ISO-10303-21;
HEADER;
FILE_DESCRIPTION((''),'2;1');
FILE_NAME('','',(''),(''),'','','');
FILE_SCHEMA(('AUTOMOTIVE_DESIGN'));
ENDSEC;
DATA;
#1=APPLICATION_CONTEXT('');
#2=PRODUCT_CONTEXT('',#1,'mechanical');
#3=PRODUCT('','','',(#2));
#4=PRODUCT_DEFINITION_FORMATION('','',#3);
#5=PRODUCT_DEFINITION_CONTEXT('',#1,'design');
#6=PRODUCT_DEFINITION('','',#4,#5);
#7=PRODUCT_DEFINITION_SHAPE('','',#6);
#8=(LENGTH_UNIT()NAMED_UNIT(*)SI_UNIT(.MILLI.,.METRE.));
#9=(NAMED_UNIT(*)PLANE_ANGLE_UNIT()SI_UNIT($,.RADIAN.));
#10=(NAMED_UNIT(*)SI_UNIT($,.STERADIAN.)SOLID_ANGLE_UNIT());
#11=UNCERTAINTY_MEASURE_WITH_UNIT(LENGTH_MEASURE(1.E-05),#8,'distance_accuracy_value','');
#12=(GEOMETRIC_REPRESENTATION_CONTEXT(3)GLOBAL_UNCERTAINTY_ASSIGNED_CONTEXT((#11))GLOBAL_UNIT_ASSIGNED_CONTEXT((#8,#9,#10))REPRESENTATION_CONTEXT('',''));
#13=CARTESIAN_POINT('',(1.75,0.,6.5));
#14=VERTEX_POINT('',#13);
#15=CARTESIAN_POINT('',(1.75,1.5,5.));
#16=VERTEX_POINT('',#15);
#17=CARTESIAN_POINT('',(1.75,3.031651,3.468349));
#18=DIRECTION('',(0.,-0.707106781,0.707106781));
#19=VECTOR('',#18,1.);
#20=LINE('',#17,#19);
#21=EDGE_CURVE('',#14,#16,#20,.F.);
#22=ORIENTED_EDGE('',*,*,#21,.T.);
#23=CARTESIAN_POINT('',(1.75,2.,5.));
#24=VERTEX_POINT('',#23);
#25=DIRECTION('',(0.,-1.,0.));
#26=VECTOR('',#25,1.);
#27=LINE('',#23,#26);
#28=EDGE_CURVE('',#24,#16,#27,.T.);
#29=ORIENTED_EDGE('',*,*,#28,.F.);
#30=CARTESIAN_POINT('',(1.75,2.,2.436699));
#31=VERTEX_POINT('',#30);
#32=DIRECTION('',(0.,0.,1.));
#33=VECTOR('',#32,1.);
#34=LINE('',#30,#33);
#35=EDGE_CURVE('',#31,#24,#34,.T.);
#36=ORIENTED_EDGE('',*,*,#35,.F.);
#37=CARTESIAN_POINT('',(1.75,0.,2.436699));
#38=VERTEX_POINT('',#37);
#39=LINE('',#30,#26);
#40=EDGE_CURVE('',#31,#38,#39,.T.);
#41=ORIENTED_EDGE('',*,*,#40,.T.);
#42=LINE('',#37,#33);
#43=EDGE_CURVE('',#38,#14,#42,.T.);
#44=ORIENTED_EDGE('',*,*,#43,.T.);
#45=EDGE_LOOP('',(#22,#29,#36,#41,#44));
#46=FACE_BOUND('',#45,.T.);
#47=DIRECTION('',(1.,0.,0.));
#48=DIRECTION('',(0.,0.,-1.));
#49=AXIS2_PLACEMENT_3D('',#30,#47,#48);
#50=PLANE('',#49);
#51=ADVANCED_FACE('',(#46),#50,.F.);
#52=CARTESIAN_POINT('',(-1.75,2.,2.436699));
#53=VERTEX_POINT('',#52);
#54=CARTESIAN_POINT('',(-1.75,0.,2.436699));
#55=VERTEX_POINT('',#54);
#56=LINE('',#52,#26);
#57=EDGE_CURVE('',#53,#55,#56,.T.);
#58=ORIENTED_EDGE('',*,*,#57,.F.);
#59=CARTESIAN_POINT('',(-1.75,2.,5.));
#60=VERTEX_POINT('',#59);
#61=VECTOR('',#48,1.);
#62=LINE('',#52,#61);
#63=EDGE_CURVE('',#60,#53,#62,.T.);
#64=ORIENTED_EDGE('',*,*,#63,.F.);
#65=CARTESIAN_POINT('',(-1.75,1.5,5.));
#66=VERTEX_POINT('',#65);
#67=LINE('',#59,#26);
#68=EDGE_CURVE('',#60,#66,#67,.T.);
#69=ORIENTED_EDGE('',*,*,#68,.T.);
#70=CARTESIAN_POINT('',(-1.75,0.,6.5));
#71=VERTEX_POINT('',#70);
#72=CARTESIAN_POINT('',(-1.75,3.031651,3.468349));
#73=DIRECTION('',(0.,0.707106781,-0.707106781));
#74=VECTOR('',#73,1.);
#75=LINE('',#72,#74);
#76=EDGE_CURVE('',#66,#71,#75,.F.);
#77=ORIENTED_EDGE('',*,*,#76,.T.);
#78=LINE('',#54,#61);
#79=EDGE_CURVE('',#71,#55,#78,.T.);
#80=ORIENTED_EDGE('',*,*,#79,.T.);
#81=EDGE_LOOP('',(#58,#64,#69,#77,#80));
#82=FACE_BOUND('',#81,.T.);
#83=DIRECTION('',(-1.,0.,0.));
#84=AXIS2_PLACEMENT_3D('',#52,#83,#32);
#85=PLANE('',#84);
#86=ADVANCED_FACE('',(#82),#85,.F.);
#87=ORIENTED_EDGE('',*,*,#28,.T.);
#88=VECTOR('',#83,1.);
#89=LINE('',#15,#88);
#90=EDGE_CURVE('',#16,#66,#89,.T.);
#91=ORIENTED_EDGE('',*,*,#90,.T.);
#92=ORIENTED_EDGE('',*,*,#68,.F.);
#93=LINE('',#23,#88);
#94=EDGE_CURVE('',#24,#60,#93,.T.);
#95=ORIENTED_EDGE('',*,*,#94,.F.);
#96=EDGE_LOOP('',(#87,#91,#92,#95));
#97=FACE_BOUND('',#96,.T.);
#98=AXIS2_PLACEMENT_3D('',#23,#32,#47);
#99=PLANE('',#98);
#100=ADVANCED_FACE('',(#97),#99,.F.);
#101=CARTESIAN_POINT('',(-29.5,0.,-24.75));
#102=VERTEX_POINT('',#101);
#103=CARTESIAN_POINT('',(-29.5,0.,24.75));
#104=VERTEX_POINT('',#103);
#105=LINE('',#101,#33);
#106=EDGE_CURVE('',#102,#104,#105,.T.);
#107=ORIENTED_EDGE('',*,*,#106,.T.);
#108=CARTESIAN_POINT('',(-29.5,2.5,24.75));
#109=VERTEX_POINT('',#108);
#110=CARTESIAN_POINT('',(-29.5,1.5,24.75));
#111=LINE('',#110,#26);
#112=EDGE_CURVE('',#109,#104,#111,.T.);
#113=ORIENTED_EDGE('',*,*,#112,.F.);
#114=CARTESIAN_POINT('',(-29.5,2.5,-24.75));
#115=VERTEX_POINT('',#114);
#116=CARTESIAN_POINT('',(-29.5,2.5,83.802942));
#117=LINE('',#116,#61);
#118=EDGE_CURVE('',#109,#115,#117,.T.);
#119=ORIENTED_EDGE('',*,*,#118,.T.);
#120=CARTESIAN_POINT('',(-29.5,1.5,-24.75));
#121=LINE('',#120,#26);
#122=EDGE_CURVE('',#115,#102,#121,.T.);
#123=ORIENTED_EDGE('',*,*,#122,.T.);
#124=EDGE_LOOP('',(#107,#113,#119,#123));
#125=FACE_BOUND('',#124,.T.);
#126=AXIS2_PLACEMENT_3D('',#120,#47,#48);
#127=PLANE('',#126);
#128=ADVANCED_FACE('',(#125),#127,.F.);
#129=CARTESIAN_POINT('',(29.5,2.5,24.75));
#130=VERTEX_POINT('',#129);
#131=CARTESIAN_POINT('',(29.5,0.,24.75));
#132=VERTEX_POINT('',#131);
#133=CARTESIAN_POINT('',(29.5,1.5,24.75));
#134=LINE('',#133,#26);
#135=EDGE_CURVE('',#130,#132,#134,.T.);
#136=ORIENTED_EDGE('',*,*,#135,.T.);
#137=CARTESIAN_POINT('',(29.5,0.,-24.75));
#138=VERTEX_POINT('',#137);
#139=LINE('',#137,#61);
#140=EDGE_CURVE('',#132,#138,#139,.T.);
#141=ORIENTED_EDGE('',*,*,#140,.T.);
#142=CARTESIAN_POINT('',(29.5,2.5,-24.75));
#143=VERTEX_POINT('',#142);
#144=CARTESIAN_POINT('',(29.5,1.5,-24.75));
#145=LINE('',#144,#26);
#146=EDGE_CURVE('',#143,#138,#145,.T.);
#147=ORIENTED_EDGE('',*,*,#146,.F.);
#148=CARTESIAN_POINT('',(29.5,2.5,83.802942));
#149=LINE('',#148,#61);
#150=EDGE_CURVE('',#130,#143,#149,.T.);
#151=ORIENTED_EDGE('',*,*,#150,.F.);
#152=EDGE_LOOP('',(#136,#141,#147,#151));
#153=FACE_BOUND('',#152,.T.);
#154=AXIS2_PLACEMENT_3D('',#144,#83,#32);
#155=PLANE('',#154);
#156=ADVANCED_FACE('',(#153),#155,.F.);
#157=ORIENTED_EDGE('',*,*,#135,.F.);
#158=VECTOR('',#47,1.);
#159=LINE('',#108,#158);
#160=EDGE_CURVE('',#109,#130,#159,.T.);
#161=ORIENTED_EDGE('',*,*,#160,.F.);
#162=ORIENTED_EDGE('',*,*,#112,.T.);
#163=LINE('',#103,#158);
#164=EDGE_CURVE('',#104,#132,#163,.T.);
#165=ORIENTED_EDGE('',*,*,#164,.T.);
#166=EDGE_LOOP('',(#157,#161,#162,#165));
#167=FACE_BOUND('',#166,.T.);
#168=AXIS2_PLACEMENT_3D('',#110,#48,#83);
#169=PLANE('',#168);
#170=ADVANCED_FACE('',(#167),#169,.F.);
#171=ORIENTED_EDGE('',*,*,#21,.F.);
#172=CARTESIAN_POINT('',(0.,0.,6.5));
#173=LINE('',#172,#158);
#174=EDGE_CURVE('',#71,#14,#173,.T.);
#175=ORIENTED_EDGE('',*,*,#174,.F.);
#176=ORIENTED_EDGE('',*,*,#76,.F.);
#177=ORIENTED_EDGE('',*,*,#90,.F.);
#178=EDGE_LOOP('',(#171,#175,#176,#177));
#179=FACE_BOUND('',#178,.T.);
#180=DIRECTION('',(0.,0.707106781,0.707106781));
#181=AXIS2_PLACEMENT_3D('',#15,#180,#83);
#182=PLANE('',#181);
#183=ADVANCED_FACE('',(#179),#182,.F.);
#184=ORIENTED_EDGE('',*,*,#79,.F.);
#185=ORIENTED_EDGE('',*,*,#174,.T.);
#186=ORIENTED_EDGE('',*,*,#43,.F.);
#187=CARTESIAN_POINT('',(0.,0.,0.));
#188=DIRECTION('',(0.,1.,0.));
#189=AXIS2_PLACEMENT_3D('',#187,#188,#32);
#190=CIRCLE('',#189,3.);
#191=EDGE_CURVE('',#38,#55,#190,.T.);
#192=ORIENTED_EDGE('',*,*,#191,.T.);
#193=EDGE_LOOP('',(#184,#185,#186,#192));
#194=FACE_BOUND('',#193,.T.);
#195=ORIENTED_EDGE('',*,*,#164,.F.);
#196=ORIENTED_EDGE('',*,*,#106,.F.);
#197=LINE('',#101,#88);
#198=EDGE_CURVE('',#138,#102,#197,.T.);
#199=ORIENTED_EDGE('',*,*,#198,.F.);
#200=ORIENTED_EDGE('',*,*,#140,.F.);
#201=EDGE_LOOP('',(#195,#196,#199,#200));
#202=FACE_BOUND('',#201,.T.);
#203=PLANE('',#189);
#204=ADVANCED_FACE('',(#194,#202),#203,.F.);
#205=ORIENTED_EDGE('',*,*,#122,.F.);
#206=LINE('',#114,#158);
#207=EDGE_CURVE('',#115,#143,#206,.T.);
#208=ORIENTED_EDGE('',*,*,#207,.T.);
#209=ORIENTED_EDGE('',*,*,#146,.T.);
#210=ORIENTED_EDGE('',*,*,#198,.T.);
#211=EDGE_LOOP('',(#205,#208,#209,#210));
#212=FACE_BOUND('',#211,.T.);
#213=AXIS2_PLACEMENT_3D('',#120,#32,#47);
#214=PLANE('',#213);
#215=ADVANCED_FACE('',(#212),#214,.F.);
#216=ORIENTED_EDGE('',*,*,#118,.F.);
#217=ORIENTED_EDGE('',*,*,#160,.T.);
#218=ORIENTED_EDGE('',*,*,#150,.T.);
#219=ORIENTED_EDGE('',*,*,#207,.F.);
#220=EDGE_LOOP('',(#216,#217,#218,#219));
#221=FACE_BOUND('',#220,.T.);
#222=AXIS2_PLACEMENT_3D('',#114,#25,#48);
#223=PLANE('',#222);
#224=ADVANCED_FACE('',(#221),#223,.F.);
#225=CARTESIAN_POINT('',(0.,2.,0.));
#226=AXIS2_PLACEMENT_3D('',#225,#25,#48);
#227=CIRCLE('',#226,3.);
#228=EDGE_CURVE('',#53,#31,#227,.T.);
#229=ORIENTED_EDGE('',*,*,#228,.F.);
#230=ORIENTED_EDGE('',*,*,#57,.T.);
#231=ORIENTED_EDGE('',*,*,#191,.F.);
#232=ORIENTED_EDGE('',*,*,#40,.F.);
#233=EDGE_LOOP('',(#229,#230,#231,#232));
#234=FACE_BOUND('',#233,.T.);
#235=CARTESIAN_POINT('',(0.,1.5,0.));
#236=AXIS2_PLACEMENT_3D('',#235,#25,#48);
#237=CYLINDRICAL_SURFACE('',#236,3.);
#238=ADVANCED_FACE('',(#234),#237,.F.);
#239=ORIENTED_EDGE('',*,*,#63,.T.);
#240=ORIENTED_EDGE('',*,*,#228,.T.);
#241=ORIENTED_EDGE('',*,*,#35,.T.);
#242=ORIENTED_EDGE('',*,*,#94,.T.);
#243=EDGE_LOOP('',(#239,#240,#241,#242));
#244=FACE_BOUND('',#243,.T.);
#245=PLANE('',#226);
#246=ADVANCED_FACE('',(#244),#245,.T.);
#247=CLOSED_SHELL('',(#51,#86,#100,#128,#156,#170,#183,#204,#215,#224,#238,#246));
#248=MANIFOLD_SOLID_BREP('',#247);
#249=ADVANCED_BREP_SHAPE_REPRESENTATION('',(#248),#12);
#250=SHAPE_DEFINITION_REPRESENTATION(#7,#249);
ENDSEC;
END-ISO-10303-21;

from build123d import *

# Parameters (mm, degrees)
SKETCH1_W           = 59
SKETCH1_H           = 49.5
SKETCH1_R           = 3
BOSS_EXTRUDE1_DEPTH = 1.5
BOSS_EXTRUDE2_DEPTH = 49.5
CUT_EXTRUDE1_DEPTH  = 2
CUT_EXTRUDE3_DEPTH  = 65.105869466
CHAMFER3_SIZE       = 1.5
SKETCH7_W           = 59
SKETCH7_H           = 2.086537977
CUT_EXTRUDE5_DEPTH  = 58.762444547


with BuildPart() as part:
    # Sketch1 → Boss-Extrude1 (new body)
    with BuildSketch(Plane(origin=(0, 0, 0), x_dir=(1, 0, 0), z_dir=(0, 1, 0))):
        Rectangle(SKETCH1_W, SKETCH1_H)
        with Locations(Location((0, 0, 0), (0, 0, 270))):
            Circle(SKETCH1_R, mode=Mode.SUBTRACT)
    extrude(amount=BOSS_EXTRUDE1_DEPTH)

    # Sketch2 → Boss-Extrude2 (add)
    with BuildSketch(Plane(origin=(0, 0, -24.75), x_dir=(-1, 0, 0), z_dir=(0, 0, -1))):
        Polygon((-29.5, 1.5), (29.5, 1.5), (29.5, 2.5), (28.32, 4), (27.14, 2.5), (25.96, 4), (24.78, 2.5), (23.6, 4), (22.42, 2.5), (21.24, 4), (20.06, 2.5), (18.88, 4), (17.7, 2.5), (16.52, 4), (15.34, 2.5), (14.16, 4), (12.98, 2.5), (11.8, 4), (10.62, 2.5), (9.44, 4), (8.26, 2.5), (7.08, 4), (5.9, 2.5), (4.72, 4), (3.54, 2.5), (2.36, 4), (1.18, 2.5), (0, 4), (-1.18, 2.5), (-2.36, 4), (-3.54, 2.5), (-4.72, 4), (-5.9, 2.5), (-7.08, 4), (-8.26, 2.5), (-9.44, 4), (-10.62, 2.5), (-11.8, 4), (-12.98, 2.5), (-14.16, 4), (-15.34, 2.5), (-16.52, 4), (-17.7, 2.5), (-18.88, 4), (-20.06, 2.5), (-21.24, 4), (-22.42, 2.5), (-23.6, 4), (-24.78, 2.5), (-25.96, 4), (-27.14, 2.5), (-28.32, 4), (-29.5, 2.5), align=None)
    extrude(amount=-BOSS_EXTRUDE2_DEPTH)

    # Sketch3 → Cut-Extrude1 (cut)
    with BuildSketch(Plane(origin=(0, 0, 0), x_dir=(-1, 0, 0), z_dir=(0, -1, 0))):
        with BuildLine():
            Line((-1.75, -2.436698586), (-1.75, -5))
            Line((-1.75, -5), (1.75, -5))
            Line((1.75, -5), (1.75, -2.436698586))
            ThreePointArc((1.75, -2.436698586), (0, 3), (-1.75, -2.436698586))
        make_face()
    extrude(amount=-CUT_EXTRUDE1_DEPTH, mode=Mode.SUBTRACT)

    # Sketch4 → Cut-Extrude3 (cut, through all)
    with BuildSketch(Plane(origin=(29.5, 0, 0), x_dir=(0, 0, -1), z_dir=(1, 0, 0))):
        with BuildLine():
            Line((-24, 4), (-24.75, 4))
            Line((-24.75, 4), (-24.75, 3.25))
            ThreePointArc((-24.75, 3.25), (-24.530330086, 3.780330086), (-24, 4))
        make_face()
    cut_extrude3 = extrude(amount=-CUT_EXTRUDE3_DEPTH, mode=Mode.SUBTRACT)

    # Mirror1: Cut-Extrude3 across plane
    add(cut_extrude3.mirror(Plane.XY), mode=Mode.SUBTRACT)

    # Chamfer3
    chamfer3_edges = [part.edges().sort_by_distance(p)[0] for p in [
        (0, 0, 5),
    ]]
    chamfer(chamfer3_edges, length=CHAMFER3_SIZE)

    # Sketch7 → Cut-Extrude5 (cut, through all)
    with BuildSketch(Plane.XY.offset(24.75)):
        with Locations((0, 3.543268988)):
            Rectangle(SKETCH7_W, SKETCH7_H)
    extrude(amount=-CUT_EXTRUDE5_DEPTH, mode=Mode.SUBTRACT)


solid = part.part
